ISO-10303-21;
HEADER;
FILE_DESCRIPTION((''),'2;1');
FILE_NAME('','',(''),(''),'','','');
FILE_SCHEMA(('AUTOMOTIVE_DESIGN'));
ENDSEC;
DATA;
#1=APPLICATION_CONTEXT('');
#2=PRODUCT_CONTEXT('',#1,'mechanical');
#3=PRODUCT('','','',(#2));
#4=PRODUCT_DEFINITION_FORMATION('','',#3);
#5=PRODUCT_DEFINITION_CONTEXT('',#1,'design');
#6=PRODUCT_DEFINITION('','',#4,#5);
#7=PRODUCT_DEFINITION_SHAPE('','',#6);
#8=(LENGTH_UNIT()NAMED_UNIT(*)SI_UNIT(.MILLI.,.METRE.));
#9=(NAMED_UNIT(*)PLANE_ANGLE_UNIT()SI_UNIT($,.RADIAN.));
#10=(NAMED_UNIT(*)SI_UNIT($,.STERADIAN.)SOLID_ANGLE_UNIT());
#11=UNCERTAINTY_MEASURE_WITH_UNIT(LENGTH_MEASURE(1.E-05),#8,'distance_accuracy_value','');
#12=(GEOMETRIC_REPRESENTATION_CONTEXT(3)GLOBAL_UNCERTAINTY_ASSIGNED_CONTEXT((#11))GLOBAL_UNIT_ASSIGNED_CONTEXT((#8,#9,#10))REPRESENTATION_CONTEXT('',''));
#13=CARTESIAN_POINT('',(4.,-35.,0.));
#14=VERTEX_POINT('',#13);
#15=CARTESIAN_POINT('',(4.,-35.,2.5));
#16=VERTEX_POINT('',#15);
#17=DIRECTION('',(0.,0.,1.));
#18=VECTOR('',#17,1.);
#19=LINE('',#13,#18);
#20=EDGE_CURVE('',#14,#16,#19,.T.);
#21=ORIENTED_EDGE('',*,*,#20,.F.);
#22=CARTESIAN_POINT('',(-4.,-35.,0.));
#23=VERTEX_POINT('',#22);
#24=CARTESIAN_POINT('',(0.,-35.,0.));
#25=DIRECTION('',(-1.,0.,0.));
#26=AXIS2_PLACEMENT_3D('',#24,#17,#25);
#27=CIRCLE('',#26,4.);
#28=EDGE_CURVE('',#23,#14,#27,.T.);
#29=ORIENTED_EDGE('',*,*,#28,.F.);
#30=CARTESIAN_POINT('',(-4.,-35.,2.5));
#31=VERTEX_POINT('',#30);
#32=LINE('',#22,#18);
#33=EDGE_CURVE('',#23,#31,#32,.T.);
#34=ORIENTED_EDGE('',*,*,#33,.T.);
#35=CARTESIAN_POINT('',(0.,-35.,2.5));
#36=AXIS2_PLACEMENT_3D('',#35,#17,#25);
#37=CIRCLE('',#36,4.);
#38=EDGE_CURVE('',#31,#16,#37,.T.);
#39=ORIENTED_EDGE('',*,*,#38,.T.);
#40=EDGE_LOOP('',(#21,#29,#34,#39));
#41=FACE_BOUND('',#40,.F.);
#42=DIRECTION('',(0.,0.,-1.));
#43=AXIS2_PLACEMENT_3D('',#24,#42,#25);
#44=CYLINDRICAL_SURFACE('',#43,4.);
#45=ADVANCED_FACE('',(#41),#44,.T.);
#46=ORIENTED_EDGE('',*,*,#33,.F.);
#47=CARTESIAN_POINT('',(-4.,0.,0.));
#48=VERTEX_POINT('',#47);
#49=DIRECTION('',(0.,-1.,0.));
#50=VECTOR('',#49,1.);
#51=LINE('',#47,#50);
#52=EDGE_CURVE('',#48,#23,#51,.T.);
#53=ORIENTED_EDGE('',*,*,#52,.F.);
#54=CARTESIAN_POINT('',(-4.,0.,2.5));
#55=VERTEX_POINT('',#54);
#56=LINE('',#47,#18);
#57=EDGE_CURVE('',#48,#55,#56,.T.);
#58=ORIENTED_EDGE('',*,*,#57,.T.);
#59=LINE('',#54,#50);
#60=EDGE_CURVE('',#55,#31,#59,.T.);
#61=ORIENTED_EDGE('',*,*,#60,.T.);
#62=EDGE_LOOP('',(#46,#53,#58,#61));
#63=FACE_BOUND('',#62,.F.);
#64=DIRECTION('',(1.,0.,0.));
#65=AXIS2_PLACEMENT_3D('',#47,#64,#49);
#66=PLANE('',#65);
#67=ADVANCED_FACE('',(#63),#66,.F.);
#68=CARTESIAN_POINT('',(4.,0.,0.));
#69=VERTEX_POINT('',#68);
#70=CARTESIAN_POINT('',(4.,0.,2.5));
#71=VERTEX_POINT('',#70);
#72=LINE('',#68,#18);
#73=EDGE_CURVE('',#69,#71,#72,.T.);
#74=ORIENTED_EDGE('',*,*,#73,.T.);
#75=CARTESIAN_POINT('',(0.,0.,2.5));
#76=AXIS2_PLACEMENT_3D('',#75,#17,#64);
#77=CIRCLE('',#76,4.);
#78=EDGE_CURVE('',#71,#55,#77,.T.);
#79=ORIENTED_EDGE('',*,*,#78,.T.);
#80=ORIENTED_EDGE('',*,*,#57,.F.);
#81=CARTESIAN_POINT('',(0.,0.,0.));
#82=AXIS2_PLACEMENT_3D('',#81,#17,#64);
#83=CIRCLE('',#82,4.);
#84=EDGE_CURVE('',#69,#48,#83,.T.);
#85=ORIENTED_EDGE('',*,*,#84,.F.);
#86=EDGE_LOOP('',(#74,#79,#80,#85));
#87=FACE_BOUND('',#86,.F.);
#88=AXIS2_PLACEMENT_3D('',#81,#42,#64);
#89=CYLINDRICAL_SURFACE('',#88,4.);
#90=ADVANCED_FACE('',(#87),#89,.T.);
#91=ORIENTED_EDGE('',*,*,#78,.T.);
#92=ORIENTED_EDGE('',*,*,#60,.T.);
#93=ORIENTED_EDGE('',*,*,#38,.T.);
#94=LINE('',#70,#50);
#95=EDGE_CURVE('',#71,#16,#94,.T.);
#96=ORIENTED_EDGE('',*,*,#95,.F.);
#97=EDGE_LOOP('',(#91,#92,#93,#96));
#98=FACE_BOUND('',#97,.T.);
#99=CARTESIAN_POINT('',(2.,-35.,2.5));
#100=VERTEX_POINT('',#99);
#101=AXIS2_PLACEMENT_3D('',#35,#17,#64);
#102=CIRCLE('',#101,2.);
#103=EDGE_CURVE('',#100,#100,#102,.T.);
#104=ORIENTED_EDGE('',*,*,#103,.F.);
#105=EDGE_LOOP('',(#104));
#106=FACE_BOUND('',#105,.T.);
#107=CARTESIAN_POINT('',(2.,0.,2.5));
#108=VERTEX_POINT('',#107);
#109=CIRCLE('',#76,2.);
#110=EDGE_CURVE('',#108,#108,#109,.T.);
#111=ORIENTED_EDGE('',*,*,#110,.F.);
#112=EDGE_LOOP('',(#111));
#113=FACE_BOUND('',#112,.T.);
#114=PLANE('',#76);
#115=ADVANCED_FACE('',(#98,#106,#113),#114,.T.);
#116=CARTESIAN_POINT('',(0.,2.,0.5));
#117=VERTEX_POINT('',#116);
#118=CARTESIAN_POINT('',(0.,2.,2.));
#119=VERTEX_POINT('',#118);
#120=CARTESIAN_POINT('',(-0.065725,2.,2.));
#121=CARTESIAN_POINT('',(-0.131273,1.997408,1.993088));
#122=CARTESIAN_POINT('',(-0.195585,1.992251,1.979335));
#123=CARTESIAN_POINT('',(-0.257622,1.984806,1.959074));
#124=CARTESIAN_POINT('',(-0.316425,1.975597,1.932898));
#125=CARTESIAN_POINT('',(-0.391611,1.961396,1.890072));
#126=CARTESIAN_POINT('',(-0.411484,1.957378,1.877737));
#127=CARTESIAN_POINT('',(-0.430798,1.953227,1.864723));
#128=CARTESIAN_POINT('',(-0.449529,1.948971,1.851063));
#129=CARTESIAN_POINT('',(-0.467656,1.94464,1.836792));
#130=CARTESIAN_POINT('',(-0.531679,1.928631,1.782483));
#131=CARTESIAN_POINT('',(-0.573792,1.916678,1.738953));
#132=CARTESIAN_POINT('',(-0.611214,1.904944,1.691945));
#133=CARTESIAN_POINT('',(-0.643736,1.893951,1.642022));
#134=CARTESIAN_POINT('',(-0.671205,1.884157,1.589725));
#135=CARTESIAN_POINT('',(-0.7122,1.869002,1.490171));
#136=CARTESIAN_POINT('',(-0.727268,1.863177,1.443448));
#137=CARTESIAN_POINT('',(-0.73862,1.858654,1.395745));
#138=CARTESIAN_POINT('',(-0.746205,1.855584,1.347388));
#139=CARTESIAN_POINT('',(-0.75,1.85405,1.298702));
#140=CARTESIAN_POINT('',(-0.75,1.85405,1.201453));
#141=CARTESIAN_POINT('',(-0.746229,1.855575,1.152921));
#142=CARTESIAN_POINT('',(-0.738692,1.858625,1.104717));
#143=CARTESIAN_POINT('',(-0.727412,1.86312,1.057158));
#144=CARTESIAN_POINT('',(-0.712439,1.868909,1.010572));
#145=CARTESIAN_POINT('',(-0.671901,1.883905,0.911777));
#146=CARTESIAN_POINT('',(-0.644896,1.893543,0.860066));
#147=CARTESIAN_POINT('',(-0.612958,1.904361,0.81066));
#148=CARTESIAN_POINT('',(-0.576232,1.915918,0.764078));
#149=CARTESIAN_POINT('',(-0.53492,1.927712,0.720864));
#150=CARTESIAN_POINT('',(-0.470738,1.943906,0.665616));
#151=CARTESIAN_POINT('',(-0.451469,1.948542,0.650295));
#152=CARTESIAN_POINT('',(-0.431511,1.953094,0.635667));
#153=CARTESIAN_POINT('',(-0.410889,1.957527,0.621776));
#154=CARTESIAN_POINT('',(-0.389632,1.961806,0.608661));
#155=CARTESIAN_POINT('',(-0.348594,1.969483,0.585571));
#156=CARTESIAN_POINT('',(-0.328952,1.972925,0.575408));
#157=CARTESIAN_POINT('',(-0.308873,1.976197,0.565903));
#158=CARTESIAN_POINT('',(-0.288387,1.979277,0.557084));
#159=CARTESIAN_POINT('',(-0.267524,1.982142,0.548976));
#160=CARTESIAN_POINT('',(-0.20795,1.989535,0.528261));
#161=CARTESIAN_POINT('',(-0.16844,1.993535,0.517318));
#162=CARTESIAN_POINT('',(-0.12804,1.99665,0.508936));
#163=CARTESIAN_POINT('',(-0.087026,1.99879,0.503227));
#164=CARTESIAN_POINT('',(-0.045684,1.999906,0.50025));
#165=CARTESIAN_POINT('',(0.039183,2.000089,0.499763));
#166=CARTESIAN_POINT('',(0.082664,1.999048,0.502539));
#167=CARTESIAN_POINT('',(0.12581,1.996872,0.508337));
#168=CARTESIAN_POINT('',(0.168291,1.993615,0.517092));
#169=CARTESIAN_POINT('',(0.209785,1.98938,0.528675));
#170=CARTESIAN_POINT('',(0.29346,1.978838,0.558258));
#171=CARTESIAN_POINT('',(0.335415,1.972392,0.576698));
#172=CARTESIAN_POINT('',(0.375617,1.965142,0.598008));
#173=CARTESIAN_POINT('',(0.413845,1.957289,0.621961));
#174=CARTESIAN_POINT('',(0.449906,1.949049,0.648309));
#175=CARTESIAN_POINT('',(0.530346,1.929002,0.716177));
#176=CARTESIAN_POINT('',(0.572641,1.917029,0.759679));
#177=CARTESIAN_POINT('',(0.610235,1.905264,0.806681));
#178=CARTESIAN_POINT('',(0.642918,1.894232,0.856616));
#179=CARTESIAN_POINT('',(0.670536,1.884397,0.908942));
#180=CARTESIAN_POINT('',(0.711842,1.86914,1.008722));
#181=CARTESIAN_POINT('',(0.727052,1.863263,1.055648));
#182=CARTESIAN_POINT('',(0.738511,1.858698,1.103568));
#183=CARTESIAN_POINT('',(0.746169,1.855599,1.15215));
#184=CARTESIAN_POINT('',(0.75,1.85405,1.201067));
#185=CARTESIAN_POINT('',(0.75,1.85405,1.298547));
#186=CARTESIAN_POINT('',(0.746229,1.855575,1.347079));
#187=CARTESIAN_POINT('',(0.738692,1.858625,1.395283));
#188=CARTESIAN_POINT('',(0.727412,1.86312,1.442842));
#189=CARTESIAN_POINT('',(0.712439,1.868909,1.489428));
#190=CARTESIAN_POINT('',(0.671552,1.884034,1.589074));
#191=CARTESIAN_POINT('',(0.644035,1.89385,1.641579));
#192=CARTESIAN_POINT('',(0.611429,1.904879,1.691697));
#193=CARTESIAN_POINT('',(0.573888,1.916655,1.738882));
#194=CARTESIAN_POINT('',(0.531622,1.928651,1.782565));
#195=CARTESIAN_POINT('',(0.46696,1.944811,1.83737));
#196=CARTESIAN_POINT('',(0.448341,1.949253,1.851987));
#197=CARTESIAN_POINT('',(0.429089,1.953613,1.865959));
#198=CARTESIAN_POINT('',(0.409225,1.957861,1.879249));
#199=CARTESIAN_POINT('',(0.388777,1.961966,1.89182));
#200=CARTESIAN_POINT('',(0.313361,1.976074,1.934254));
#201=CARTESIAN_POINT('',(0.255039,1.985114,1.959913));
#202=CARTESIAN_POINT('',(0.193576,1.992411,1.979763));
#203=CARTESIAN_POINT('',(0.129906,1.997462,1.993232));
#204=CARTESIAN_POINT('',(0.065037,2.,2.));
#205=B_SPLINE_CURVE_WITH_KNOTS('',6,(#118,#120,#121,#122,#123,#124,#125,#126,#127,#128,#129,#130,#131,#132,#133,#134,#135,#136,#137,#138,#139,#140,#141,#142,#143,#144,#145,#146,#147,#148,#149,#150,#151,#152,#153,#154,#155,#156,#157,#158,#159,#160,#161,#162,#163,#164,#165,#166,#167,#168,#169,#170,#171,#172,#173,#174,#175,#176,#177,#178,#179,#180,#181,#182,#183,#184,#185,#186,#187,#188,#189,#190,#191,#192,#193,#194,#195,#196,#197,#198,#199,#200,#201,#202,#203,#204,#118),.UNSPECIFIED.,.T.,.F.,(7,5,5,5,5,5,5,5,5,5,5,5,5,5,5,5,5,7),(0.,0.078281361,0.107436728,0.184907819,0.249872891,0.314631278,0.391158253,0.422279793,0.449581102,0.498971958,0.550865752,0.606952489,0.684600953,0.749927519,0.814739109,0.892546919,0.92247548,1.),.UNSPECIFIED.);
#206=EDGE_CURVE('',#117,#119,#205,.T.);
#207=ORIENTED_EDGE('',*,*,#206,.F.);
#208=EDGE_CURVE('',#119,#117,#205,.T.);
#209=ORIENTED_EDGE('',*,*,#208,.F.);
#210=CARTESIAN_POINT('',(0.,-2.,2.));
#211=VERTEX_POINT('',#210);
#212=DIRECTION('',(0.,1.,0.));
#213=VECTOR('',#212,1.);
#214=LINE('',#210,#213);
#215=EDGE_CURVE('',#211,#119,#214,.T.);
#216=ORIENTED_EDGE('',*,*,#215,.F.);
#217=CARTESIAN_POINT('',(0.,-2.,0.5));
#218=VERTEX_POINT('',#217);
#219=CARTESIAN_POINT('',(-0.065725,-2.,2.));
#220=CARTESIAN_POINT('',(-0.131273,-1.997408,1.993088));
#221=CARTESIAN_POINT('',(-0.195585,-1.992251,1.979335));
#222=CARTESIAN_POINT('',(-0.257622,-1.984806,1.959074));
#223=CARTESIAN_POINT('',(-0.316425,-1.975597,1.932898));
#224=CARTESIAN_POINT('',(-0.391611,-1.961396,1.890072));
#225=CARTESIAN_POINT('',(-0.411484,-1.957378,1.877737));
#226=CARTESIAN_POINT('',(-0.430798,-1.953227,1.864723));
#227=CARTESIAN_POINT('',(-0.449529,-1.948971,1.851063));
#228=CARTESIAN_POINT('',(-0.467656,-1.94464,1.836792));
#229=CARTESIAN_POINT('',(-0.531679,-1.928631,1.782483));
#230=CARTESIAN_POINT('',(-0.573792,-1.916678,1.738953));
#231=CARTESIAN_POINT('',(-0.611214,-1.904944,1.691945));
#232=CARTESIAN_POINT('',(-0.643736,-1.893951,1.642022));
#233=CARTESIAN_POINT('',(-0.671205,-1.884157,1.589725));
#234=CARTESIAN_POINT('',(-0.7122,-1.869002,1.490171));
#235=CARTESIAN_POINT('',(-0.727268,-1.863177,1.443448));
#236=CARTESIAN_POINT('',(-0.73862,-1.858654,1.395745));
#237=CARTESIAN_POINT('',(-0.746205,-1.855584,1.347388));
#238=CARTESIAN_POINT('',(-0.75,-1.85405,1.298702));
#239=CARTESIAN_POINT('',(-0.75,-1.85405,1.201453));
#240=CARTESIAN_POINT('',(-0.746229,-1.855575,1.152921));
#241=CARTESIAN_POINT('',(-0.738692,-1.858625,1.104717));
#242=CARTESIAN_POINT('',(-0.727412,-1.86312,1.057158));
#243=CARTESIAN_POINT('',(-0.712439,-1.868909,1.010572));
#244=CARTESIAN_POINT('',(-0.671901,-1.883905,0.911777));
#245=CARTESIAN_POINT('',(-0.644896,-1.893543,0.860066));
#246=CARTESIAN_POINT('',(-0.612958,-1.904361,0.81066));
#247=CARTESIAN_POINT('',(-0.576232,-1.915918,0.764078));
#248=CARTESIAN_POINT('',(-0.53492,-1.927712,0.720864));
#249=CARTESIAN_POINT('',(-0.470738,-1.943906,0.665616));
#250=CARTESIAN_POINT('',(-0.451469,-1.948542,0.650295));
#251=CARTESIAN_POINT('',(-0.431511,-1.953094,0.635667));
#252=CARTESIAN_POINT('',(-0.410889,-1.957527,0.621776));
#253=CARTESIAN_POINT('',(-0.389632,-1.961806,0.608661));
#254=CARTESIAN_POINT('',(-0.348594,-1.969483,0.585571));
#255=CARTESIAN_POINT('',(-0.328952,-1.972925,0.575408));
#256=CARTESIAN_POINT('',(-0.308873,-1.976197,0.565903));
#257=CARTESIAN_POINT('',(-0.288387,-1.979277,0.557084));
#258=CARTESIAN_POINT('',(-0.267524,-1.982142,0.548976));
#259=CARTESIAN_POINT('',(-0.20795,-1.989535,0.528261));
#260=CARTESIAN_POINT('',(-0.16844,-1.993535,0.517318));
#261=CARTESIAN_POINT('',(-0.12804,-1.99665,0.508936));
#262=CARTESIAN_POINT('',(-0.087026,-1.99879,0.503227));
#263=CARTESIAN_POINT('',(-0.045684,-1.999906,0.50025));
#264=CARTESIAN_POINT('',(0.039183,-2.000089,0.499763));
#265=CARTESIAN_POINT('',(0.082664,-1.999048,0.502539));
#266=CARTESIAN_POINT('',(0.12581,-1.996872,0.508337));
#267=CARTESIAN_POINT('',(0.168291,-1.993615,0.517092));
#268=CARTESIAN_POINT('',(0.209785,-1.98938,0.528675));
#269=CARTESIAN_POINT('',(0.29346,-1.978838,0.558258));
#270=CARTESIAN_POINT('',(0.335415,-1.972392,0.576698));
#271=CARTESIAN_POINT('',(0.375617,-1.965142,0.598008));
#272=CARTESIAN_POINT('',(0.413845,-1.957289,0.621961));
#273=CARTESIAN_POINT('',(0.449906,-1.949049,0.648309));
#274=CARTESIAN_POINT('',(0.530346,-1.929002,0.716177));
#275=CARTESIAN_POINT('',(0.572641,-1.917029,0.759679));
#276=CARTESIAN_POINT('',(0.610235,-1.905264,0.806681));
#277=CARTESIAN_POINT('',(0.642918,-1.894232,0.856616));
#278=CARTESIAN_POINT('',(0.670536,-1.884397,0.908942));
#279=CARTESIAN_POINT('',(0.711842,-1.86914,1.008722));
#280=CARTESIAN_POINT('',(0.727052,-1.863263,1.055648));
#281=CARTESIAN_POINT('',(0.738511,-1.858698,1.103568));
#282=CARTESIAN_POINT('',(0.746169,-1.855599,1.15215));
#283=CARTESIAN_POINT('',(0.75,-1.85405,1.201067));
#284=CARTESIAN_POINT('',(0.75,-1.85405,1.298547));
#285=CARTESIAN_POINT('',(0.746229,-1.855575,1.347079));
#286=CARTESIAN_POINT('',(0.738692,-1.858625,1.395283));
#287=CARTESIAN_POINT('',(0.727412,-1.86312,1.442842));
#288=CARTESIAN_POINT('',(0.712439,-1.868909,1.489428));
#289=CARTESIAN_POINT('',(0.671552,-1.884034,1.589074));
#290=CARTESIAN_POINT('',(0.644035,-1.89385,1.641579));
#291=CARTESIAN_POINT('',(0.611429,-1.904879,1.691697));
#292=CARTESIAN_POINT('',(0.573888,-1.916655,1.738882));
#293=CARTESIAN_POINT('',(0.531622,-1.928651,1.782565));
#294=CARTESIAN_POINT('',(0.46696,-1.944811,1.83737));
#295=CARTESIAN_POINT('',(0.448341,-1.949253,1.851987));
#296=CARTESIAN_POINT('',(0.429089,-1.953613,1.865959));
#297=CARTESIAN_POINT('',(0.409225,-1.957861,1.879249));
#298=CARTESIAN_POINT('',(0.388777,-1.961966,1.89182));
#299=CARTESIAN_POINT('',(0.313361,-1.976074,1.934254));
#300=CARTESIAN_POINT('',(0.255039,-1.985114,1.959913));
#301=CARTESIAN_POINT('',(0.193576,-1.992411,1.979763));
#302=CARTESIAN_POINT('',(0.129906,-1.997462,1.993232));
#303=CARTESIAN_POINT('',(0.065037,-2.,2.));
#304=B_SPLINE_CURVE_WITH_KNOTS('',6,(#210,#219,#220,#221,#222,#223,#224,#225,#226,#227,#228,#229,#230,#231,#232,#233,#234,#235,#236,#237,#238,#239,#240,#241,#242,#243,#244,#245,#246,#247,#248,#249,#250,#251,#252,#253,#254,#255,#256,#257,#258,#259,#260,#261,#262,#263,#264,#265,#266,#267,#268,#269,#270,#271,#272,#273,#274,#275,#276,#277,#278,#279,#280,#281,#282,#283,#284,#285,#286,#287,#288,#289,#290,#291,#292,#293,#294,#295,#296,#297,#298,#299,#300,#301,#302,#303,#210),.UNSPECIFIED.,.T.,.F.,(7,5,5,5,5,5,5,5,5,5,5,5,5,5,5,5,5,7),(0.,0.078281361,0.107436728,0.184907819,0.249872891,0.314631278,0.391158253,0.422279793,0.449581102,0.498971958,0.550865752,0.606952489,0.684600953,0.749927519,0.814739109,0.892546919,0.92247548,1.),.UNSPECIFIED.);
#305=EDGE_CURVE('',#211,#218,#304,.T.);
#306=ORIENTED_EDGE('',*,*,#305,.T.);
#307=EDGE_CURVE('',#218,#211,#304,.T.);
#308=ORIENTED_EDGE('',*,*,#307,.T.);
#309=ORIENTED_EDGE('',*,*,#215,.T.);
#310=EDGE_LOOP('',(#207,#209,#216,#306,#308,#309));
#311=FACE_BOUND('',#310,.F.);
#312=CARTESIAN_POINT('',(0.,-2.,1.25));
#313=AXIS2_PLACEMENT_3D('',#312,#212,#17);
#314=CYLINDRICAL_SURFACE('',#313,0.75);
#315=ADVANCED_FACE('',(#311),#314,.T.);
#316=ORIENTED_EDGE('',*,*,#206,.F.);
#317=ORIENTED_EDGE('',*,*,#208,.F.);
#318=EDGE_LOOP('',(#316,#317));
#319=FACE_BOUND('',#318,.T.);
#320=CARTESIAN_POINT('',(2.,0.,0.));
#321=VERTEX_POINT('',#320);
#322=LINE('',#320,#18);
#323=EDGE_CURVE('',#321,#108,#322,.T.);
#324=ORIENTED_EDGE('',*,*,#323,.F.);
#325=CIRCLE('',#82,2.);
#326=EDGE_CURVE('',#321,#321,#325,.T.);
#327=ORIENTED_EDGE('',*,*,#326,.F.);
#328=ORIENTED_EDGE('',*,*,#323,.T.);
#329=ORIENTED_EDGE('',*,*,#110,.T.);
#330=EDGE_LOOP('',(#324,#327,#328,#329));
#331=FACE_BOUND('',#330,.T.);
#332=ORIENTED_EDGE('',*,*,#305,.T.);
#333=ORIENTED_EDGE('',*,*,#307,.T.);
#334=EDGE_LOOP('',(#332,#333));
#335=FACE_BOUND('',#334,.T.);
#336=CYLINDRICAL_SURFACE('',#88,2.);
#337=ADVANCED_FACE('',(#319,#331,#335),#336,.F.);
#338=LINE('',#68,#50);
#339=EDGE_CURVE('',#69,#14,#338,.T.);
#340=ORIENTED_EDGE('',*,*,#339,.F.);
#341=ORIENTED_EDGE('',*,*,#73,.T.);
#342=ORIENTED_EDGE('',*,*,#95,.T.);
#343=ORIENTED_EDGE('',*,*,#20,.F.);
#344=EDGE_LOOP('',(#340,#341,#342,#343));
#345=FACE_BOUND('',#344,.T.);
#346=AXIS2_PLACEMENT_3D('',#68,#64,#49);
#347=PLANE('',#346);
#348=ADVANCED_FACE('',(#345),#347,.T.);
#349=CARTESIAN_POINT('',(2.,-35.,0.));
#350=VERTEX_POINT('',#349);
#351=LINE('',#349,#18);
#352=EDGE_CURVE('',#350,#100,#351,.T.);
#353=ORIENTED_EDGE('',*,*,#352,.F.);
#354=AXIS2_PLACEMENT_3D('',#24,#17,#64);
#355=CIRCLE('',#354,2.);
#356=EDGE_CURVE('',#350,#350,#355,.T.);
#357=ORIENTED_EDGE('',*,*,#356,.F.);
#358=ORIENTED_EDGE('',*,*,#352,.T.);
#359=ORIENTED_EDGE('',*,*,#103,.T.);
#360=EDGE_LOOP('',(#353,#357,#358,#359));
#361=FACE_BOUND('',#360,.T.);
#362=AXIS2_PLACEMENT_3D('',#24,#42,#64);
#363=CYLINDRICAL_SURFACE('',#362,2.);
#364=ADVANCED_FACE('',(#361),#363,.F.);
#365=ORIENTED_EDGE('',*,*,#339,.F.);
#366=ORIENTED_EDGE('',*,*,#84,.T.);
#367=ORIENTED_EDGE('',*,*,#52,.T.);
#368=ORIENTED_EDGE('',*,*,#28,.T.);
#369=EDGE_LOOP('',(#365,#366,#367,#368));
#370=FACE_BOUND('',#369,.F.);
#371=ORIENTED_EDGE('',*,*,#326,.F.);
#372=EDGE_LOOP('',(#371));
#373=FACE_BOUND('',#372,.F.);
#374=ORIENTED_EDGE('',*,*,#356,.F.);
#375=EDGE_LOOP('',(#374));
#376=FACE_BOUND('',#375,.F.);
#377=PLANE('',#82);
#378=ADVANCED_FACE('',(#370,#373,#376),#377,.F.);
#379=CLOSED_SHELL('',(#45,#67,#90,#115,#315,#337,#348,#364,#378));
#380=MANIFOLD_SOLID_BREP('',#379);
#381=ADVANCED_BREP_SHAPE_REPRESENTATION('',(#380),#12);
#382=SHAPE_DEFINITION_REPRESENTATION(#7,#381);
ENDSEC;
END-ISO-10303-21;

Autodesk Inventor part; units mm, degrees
ref_plane "YZ Plane" through (0, 0, 0) normal (1, 0, 0) x (0, 1, 0)
ref_plane "XZ Plane" through (0, 0, 0) normal (0, 1, 0) x (-1, 0, 0)
ref_plane "XY Plane" through (0, 0, 0) normal (0, 0, 1) x (1, 0, 0)
sketch "Sketch1" plane through (0, 0, 0) normal (0, 0, 1) x (1, 0, 0)
  arc A0 (4, 0) -> (-4, 0) centre (0, 0) ccw
  arc A1 (-4, -35) -> (4, -35) centre (0, -35) ccw
  line L0 (0, 0) -> (0, -41.3039) construction
  line L1 (-4, 0) -> (-4, -35)
  line L2 (4, 0) -> (4, -35)
  circle A2 centre (0, 0) radius 2
  circle A3 centre (0, -35) radius 2
  dimension "d0" = 8
  dimension "d1" = 8
  dimension "d2" = 35
  dimension "d3" = 4
  dimension "d4" = 4
extrude "Extrusion1" add sketch "Sketch1" along normal blind 2.5
sketch "Sketch2" plane through (0, 0, 0) normal (1, 0, 0) x (0, 1, 0)
  line L0 (2, 2.5) -> (2, 0) projected
  line L1 (2, 1.25) -> (-2, 1.25)
  line L2 (-2, 2.5) -> (-2, 0) projected
  line L3 (2, 1.25) -> (-2, 1.25)
  line L4 (-2, 1.25) -> (-2, 2)
  line L5 (-2, 2) -> (2, 2)
  line L6 (2, 2) -> (2, 1.25)
  point P0 (0, 0)
  point P1 (2, 2)
  dimension "d7" = 1.5
revolve "Revolution1" add sketch "Sketch2" angle 360 about axis through (0, 2, 1.25) along (0, -1, 0)
properties part number "1-15"
